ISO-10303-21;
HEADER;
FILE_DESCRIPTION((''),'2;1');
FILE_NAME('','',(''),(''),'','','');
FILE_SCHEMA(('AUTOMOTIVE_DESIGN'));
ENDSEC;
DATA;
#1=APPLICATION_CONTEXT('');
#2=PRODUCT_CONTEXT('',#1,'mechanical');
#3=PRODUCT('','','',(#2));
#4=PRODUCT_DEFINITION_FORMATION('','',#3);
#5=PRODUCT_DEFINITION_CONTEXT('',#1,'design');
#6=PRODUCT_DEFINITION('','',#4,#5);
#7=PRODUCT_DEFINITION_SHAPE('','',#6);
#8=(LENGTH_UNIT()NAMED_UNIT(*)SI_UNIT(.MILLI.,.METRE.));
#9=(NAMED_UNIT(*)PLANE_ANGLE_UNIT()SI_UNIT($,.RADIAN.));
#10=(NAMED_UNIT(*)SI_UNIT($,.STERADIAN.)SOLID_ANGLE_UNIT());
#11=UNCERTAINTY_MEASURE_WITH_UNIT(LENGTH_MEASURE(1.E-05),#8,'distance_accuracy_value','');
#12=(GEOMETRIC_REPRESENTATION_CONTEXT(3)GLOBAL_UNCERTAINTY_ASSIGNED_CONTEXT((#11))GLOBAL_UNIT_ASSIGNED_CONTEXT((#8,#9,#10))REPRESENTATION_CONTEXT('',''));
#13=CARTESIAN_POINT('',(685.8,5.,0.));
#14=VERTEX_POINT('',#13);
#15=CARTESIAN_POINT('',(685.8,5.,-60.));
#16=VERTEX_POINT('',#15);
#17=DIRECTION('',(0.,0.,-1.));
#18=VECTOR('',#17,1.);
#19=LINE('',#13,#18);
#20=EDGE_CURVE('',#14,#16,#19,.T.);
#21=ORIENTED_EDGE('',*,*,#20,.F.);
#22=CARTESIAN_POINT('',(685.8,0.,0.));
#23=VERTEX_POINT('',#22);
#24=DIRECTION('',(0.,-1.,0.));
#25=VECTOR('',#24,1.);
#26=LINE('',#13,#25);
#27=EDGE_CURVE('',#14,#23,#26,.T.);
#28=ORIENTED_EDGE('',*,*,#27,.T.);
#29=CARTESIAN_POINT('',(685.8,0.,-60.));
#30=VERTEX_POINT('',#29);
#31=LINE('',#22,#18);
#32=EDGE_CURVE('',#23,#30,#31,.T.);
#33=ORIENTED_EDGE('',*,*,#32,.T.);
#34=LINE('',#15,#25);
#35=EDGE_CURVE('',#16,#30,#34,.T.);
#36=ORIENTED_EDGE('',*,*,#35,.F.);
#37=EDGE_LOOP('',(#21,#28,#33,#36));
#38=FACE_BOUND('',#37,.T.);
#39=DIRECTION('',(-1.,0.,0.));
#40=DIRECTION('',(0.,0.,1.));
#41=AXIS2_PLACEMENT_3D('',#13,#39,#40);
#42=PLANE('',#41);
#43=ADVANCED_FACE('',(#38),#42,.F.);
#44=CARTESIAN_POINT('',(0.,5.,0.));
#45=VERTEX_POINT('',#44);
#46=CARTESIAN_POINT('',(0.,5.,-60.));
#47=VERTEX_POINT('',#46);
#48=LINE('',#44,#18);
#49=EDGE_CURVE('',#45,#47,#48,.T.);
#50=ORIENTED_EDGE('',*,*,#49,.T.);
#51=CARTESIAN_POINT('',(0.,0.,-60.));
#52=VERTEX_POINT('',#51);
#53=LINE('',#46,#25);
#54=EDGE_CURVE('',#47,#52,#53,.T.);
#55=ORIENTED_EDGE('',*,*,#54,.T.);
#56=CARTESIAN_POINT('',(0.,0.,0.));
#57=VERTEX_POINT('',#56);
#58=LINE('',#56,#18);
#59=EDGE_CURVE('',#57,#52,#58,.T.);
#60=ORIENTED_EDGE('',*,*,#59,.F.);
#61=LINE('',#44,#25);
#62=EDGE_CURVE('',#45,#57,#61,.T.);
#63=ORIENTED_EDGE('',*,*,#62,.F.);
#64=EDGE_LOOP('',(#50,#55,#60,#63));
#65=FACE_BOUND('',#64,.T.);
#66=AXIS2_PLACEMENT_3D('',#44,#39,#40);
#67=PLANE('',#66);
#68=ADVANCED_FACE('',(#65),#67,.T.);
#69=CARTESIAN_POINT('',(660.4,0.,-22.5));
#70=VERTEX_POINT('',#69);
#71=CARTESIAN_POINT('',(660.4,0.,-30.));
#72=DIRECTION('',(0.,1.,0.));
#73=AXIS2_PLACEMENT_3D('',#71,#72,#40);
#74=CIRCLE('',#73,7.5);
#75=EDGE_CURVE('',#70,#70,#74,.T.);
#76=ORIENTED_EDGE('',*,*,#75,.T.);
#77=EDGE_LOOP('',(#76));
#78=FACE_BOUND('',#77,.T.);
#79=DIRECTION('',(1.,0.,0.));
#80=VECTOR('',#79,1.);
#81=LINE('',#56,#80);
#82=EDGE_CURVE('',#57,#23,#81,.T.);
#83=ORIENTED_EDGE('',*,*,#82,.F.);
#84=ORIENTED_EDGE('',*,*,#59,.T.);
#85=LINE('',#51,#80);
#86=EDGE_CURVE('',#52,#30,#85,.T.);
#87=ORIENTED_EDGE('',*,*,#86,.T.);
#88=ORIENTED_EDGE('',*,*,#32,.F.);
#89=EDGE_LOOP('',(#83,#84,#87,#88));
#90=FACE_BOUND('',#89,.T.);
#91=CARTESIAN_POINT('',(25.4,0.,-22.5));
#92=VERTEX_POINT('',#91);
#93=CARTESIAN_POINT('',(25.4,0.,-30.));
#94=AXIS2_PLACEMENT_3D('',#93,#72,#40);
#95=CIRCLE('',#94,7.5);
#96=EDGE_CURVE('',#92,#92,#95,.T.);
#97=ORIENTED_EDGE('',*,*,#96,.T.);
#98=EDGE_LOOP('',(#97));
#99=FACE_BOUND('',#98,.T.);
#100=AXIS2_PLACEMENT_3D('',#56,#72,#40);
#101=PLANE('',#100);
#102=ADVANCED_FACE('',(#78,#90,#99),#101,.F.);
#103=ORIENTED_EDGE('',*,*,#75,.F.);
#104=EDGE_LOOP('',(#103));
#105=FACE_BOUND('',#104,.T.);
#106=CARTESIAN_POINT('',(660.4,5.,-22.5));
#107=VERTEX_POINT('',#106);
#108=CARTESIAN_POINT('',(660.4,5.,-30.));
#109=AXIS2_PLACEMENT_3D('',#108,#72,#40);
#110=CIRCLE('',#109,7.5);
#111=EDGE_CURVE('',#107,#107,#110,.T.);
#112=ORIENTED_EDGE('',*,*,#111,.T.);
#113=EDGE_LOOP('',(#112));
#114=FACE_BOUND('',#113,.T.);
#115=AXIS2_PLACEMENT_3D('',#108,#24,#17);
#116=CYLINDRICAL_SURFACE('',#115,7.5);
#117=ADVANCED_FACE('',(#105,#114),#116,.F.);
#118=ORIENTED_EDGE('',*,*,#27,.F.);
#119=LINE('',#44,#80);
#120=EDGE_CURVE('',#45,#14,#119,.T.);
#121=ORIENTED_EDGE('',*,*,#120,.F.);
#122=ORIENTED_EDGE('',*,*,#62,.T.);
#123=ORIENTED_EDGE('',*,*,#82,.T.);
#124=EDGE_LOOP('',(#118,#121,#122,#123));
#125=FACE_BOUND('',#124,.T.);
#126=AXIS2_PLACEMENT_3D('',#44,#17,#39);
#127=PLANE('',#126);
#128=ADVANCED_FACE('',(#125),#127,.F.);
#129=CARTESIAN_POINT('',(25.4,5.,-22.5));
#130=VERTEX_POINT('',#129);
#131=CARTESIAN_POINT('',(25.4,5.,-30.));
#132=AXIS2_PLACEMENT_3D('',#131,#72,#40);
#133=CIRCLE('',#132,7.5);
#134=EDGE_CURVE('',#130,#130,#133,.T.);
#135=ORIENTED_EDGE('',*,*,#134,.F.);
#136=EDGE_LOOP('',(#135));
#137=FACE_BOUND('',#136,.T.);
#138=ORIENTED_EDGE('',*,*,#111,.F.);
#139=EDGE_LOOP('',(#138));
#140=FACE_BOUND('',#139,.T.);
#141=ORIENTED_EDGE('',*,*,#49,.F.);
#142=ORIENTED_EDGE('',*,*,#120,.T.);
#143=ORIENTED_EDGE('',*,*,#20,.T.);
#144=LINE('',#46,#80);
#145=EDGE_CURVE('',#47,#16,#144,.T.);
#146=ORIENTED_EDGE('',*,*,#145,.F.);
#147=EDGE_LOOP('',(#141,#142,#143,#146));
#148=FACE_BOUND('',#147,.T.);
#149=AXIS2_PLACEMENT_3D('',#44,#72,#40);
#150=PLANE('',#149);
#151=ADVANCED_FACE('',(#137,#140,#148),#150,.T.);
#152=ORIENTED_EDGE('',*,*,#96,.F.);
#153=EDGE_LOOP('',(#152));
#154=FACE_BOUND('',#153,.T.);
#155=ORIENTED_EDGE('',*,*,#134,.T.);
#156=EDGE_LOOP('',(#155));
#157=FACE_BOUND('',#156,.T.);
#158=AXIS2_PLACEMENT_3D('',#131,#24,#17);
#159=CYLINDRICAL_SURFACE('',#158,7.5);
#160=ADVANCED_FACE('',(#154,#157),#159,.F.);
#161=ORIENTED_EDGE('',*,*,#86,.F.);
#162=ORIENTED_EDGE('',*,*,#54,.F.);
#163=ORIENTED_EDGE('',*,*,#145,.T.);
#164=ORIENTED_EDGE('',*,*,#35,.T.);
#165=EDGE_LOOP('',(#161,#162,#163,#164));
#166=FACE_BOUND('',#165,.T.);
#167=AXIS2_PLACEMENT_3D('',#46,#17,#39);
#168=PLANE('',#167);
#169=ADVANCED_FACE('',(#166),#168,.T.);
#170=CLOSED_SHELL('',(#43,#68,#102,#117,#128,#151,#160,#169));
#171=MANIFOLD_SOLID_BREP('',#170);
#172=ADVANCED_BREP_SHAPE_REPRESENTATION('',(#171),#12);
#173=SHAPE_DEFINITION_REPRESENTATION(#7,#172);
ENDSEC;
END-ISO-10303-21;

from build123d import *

# Parameters (mm, degrees)
SKETCH1_W           = 685.8
SKETCH1_H           = 60
SKETCH1_R           = 7.5
BOSS_EXTRUDE1_DEPTH = 5


with BuildPart() as part:
    # Sketch1 → Boss-Extrude1 (new body)
    with BuildSketch(Plane(origin=(0, 0, 0), x_dir=(1, 0, 0), z_dir=(0, 1, 0))):
        with Locations((342.9, 30)):
            Rectangle(SKETCH1_W, SKETCH1_H)
        with Locations((660.4, 30)):
            Circle(SKETCH1_R, mode=Mode.SUBTRACT)
        with Locations((25.4, 30)):
            Circle(SKETCH1_R, mode=Mode.SUBTRACT)
    extrude(amount=BOSS_EXTRUDE1_DEPTH)


solid = part.part
